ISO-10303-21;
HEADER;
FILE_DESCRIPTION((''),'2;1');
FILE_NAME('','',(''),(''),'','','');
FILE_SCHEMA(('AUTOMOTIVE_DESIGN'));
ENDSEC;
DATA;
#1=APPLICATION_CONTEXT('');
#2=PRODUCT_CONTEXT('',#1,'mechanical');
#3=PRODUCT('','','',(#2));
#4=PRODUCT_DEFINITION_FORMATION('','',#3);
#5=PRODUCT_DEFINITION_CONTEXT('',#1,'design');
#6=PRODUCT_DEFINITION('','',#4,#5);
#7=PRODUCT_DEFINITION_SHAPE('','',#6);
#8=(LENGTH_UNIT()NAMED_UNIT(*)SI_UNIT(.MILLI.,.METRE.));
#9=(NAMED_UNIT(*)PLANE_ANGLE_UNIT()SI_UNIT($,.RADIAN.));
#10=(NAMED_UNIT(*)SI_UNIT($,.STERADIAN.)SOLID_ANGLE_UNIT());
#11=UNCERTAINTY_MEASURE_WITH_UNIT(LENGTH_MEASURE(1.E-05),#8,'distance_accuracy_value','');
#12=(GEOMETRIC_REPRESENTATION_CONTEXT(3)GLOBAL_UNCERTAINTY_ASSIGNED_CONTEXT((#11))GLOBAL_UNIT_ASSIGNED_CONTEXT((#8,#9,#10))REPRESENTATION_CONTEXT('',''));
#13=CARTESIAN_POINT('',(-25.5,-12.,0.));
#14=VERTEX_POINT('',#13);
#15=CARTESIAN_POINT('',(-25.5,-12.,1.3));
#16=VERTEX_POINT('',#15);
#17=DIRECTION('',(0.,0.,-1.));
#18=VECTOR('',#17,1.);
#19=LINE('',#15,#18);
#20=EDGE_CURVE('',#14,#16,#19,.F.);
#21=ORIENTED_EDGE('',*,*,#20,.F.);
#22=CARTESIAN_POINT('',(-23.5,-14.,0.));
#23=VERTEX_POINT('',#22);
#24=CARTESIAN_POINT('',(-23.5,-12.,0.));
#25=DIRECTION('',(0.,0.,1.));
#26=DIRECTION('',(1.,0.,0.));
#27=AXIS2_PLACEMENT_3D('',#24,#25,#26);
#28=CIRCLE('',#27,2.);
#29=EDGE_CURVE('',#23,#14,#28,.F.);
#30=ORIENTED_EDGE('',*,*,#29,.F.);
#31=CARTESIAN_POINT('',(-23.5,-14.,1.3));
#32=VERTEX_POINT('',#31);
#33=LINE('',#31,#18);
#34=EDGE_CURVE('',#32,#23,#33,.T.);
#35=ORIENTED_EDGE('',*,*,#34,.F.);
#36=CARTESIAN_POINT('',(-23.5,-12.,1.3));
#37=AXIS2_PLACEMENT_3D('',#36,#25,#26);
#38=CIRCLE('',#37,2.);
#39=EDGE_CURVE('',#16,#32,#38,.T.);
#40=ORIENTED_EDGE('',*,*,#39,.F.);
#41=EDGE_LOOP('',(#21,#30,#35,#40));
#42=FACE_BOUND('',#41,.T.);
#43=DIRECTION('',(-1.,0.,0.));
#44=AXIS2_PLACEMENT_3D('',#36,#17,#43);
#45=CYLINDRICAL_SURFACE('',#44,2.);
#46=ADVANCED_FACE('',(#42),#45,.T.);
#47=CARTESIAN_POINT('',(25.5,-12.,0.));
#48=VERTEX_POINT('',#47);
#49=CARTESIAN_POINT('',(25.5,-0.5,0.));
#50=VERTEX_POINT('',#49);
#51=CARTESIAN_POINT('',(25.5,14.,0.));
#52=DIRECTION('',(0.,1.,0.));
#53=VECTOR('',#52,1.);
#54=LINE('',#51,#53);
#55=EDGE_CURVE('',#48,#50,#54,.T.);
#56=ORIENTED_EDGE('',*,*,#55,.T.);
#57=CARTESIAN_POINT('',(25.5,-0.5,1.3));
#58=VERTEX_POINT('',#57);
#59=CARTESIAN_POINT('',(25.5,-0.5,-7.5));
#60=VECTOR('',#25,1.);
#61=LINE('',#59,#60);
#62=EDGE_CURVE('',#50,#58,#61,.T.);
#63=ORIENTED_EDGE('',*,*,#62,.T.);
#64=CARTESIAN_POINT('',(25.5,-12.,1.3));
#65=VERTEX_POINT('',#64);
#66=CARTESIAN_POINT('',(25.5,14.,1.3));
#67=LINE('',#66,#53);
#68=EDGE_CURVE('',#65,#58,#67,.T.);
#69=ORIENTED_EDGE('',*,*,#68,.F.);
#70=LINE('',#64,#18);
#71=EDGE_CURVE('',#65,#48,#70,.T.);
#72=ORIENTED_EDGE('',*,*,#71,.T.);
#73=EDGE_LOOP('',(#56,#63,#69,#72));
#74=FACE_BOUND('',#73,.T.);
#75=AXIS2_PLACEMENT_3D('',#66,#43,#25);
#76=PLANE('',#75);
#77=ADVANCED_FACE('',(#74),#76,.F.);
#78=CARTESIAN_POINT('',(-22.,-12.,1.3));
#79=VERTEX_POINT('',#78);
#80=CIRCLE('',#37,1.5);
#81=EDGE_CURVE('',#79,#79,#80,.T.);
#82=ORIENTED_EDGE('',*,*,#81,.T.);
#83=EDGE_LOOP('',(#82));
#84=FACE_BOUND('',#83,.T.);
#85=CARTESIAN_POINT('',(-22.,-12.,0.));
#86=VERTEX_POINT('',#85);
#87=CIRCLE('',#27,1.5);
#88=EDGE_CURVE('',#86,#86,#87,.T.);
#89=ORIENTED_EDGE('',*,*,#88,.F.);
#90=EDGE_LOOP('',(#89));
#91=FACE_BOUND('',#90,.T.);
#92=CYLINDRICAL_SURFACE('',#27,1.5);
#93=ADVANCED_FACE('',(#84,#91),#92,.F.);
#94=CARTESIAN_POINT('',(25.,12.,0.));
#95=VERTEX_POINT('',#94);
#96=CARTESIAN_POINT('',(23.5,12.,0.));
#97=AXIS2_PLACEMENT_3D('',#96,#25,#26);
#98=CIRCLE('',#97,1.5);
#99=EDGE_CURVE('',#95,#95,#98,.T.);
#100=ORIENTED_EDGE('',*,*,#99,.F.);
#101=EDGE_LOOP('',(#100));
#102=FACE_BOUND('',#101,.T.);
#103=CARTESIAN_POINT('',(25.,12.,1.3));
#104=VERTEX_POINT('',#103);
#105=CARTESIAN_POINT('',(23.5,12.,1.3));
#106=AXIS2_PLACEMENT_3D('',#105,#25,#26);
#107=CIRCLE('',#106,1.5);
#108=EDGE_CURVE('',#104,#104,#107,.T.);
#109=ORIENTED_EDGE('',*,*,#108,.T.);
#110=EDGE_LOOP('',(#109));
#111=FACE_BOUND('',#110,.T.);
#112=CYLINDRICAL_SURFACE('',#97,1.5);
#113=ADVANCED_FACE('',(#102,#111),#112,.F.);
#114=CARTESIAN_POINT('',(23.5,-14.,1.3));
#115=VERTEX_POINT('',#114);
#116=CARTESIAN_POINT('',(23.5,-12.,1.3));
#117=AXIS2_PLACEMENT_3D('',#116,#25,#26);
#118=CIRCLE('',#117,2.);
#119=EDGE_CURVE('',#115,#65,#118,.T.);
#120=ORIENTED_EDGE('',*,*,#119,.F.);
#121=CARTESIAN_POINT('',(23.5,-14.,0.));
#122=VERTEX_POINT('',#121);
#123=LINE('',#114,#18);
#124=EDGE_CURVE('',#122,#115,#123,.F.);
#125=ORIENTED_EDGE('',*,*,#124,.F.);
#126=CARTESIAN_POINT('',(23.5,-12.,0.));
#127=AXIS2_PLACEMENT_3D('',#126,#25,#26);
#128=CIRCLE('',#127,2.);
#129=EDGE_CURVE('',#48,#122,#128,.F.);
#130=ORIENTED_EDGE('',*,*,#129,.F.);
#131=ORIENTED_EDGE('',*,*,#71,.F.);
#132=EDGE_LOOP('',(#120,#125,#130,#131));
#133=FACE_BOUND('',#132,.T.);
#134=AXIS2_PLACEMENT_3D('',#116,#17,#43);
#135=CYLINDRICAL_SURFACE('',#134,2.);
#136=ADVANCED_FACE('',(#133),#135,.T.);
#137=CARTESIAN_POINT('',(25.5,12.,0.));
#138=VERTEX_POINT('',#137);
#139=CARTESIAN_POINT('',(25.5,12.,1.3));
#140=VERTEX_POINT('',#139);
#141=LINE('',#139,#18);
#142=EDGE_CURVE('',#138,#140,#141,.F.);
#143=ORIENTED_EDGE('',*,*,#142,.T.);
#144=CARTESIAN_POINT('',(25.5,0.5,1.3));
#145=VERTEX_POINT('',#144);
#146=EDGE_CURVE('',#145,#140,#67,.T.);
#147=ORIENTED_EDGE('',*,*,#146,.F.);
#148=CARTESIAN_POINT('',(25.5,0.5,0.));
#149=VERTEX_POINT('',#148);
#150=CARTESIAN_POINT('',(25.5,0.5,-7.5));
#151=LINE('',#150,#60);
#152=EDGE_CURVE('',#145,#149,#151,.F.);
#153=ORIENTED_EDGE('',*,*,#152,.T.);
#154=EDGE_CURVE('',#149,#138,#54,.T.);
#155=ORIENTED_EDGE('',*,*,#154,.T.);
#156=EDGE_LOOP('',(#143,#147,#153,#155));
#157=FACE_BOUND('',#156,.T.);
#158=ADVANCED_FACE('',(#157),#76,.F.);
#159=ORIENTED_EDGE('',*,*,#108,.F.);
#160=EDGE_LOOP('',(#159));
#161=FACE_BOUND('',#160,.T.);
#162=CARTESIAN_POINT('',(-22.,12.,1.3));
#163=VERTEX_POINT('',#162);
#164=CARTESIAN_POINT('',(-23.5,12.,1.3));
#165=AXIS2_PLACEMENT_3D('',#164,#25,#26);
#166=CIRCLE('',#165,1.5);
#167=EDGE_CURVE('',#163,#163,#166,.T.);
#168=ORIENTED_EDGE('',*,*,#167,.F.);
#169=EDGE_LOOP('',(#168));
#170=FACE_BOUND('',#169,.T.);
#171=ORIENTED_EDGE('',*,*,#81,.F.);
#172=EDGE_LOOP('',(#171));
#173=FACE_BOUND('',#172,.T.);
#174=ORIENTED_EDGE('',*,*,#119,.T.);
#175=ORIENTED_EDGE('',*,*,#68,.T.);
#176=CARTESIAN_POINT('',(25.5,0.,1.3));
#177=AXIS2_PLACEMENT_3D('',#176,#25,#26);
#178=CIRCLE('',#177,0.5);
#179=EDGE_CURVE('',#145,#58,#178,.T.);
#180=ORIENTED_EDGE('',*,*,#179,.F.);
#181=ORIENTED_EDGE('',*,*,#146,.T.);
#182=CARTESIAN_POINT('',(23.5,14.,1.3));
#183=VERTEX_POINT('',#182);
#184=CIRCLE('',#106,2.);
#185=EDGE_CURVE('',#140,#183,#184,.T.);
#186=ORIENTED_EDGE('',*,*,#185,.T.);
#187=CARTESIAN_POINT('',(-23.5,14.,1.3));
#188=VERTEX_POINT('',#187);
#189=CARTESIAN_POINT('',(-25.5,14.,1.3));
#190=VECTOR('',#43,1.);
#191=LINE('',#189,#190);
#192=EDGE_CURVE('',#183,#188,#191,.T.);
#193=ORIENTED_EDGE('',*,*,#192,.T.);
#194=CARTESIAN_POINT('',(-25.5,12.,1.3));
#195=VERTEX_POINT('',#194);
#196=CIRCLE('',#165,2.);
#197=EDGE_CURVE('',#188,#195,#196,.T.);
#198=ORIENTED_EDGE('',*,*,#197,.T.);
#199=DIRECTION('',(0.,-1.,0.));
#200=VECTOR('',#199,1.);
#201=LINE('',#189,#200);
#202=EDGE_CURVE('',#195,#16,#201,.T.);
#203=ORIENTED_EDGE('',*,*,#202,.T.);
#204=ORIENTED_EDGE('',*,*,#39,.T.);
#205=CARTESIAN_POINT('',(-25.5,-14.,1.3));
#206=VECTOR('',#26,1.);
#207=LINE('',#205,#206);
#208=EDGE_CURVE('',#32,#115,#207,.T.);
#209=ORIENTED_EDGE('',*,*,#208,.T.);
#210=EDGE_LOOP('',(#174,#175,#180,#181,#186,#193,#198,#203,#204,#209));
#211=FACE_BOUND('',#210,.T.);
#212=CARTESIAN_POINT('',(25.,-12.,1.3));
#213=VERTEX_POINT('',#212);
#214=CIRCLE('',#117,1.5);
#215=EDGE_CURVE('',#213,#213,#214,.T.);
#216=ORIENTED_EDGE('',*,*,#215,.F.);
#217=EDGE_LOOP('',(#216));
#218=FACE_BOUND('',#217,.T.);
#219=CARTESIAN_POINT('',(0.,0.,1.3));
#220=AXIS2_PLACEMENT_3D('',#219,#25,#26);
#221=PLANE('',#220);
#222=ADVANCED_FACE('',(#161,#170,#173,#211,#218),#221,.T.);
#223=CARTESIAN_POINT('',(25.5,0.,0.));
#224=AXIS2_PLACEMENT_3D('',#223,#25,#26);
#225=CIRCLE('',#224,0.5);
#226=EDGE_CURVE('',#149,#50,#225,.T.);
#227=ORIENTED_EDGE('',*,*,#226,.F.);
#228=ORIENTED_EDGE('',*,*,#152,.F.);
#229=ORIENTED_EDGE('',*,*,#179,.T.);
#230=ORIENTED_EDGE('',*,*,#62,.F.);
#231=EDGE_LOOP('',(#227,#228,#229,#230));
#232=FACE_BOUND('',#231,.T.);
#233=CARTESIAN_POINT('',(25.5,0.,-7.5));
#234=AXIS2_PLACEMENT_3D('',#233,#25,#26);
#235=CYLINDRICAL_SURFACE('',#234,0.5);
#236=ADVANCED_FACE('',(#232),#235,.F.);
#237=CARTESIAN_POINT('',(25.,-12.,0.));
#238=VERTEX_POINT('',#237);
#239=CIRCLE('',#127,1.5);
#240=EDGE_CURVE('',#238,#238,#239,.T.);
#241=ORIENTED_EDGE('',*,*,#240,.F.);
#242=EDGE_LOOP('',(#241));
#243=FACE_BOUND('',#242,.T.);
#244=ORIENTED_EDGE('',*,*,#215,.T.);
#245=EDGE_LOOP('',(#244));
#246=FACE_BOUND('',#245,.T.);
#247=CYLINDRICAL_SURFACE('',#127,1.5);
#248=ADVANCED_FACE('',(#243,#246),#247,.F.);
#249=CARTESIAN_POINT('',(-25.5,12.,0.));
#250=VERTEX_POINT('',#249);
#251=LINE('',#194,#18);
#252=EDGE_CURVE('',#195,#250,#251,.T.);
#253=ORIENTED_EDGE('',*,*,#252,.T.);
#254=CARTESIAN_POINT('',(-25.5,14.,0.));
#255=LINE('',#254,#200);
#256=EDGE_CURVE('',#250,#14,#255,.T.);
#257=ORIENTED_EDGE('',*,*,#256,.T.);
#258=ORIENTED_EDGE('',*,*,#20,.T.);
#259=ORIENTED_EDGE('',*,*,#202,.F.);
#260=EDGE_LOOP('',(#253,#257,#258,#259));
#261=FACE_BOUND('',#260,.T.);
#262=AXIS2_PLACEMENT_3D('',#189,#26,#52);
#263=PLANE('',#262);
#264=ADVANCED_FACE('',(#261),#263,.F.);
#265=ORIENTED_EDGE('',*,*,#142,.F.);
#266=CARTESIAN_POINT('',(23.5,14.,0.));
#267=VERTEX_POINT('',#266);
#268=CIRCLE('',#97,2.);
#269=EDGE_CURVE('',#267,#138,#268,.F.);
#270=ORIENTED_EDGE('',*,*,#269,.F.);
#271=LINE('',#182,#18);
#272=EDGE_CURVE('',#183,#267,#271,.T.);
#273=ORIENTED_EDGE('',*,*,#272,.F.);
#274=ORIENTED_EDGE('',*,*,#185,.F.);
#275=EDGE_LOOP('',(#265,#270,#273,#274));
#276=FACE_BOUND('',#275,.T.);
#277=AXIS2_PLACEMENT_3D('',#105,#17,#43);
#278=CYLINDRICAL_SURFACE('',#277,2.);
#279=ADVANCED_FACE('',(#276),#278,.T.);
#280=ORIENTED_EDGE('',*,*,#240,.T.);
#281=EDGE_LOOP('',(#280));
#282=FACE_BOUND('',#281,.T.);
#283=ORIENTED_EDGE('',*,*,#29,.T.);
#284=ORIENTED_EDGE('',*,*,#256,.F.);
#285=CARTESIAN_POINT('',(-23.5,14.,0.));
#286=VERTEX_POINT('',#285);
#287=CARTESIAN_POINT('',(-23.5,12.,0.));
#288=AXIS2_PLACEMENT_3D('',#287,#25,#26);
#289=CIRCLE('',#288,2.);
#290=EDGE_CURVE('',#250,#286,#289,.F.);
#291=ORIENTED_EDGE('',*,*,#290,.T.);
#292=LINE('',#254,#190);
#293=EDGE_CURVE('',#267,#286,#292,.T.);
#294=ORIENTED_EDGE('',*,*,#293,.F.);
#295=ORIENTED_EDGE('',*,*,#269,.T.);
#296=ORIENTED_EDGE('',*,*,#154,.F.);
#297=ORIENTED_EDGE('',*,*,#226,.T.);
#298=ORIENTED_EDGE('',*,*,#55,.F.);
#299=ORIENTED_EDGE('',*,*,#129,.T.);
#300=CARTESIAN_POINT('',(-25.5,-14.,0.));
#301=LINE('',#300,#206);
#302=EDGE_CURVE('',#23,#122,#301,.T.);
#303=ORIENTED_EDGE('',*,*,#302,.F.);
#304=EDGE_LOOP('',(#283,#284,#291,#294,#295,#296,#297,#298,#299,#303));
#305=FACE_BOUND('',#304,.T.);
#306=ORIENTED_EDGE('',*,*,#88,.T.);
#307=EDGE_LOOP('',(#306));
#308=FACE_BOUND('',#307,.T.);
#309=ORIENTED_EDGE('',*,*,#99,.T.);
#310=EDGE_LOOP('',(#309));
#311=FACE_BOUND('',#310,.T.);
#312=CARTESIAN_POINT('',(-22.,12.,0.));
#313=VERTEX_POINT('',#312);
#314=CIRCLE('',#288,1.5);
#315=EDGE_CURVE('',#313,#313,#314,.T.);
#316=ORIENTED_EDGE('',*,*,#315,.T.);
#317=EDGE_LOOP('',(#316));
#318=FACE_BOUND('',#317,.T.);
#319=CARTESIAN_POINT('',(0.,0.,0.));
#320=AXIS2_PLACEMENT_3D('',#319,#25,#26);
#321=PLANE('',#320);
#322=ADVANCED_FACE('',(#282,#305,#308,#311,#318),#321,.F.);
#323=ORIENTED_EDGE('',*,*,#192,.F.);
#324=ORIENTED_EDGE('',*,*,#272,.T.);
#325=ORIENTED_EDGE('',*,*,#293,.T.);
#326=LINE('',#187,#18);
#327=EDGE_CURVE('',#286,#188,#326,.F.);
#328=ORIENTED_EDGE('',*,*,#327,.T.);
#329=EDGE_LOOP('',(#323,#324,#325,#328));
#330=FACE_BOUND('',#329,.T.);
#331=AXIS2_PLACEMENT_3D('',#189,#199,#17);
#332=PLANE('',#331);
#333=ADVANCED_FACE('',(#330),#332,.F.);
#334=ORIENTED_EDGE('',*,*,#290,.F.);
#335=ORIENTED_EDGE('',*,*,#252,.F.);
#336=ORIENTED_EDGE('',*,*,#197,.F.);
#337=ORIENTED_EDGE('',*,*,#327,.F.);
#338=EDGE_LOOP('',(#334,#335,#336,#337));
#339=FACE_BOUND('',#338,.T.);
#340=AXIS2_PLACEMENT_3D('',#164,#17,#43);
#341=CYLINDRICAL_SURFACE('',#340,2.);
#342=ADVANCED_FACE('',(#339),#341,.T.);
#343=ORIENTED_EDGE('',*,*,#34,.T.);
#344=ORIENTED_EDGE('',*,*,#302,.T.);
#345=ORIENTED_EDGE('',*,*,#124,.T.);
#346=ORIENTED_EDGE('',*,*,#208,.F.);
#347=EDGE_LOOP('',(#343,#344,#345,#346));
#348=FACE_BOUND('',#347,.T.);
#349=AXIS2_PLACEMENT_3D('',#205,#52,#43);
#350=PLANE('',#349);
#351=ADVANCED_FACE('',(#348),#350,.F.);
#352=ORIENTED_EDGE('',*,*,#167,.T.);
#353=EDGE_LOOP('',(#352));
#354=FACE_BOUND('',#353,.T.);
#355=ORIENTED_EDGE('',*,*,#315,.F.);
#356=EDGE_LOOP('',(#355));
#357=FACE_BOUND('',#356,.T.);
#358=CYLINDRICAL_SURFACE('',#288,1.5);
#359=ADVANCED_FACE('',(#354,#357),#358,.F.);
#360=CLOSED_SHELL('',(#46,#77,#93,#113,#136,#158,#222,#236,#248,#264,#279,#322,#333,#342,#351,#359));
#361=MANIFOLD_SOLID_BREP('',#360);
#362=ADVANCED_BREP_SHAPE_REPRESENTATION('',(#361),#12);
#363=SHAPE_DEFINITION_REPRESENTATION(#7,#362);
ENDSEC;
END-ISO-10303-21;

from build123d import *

# Parameters (mm, degrees)
SKETCH_1_W          = 51
SKETCH_1_H          = 28
EXTRUDE_1_DEPTH     = 1.3
SKETCH_2_R          = 1.5
CUT_EXTRUDE_1_DEPTH = 1.3
FILLET_1_R          = 2
FILLET_2_R          = 2
FILLET_3_R          = 2
FILLET_4_R          = 2
SKETCH_4_R          = 0.5
CUT_EXTRUDE_2_DEPTH = 8.8


with BuildPart() as part:
    # Эскиз1 → Бобышка-Вытянуть1 (new body)
    with BuildSketch(Plane.XY):
        Rectangle(SKETCH_1_W, SKETCH_1_H)
    extrude(amount=EXTRUDE_1_DEPTH)

    # Эскиз2 → Вырез-Вытянуть1 (cut)
    with BuildSketch(Plane.XY.offset(1.3)):
        with Locations((23.5, 12)):
            Circle(SKETCH_2_R)
        with Locations((23.5, -12)):
            Circle(SKETCH_2_R)
        with Locations((-23.5, -12)):
            Circle(SKETCH_2_R)
        with Locations((-23.5, 12)):
            Circle(SKETCH_2_R)
    extrude(amount=-CUT_EXTRUDE_1_DEPTH, mode=Mode.SUBTRACT)

    # Скругление1
    fillet_1_edges = [part.edges().sort_by_distance(p)[0] for p in [
        (25.5, 14, 0.65),
    ]]
    fillet(fillet_1_edges, radius=FILLET_1_R)

    # Скругление2
    fillet_2_edges = [part.edges().sort_by_distance(p)[0] for p in [
        (25.5, -14, 0.65),
    ]]
    fillet(fillet_2_edges, radius=FILLET_2_R)

    # Скругление3
    fillet_3_edges = [part.edges().sort_by_distance(p)[0] for p in [
        (-25.5, -14, 0.65),
    ]]
    fillet(fillet_3_edges, radius=FILLET_3_R)

    # Скругление4
    fillet_4_edges = [part.edges().sort_by_distance(p)[0] for p in [
        (-25.5, 14, 0.65),
    ]]
    fillet(fillet_4_edges, radius=FILLET_4_R)

    # Эскиз4 → Вырез-Вытянуть2 (cut)
    with BuildSketch(Plane.XY.offset(1.3)):
        with Locations((25.5, 0)):
            Circle(SKETCH_4_R)
    extrude(amount=-CUT_EXTRUDE_2_DEPTH, mode=Mode.SUBTRACT)


solid = part.part
